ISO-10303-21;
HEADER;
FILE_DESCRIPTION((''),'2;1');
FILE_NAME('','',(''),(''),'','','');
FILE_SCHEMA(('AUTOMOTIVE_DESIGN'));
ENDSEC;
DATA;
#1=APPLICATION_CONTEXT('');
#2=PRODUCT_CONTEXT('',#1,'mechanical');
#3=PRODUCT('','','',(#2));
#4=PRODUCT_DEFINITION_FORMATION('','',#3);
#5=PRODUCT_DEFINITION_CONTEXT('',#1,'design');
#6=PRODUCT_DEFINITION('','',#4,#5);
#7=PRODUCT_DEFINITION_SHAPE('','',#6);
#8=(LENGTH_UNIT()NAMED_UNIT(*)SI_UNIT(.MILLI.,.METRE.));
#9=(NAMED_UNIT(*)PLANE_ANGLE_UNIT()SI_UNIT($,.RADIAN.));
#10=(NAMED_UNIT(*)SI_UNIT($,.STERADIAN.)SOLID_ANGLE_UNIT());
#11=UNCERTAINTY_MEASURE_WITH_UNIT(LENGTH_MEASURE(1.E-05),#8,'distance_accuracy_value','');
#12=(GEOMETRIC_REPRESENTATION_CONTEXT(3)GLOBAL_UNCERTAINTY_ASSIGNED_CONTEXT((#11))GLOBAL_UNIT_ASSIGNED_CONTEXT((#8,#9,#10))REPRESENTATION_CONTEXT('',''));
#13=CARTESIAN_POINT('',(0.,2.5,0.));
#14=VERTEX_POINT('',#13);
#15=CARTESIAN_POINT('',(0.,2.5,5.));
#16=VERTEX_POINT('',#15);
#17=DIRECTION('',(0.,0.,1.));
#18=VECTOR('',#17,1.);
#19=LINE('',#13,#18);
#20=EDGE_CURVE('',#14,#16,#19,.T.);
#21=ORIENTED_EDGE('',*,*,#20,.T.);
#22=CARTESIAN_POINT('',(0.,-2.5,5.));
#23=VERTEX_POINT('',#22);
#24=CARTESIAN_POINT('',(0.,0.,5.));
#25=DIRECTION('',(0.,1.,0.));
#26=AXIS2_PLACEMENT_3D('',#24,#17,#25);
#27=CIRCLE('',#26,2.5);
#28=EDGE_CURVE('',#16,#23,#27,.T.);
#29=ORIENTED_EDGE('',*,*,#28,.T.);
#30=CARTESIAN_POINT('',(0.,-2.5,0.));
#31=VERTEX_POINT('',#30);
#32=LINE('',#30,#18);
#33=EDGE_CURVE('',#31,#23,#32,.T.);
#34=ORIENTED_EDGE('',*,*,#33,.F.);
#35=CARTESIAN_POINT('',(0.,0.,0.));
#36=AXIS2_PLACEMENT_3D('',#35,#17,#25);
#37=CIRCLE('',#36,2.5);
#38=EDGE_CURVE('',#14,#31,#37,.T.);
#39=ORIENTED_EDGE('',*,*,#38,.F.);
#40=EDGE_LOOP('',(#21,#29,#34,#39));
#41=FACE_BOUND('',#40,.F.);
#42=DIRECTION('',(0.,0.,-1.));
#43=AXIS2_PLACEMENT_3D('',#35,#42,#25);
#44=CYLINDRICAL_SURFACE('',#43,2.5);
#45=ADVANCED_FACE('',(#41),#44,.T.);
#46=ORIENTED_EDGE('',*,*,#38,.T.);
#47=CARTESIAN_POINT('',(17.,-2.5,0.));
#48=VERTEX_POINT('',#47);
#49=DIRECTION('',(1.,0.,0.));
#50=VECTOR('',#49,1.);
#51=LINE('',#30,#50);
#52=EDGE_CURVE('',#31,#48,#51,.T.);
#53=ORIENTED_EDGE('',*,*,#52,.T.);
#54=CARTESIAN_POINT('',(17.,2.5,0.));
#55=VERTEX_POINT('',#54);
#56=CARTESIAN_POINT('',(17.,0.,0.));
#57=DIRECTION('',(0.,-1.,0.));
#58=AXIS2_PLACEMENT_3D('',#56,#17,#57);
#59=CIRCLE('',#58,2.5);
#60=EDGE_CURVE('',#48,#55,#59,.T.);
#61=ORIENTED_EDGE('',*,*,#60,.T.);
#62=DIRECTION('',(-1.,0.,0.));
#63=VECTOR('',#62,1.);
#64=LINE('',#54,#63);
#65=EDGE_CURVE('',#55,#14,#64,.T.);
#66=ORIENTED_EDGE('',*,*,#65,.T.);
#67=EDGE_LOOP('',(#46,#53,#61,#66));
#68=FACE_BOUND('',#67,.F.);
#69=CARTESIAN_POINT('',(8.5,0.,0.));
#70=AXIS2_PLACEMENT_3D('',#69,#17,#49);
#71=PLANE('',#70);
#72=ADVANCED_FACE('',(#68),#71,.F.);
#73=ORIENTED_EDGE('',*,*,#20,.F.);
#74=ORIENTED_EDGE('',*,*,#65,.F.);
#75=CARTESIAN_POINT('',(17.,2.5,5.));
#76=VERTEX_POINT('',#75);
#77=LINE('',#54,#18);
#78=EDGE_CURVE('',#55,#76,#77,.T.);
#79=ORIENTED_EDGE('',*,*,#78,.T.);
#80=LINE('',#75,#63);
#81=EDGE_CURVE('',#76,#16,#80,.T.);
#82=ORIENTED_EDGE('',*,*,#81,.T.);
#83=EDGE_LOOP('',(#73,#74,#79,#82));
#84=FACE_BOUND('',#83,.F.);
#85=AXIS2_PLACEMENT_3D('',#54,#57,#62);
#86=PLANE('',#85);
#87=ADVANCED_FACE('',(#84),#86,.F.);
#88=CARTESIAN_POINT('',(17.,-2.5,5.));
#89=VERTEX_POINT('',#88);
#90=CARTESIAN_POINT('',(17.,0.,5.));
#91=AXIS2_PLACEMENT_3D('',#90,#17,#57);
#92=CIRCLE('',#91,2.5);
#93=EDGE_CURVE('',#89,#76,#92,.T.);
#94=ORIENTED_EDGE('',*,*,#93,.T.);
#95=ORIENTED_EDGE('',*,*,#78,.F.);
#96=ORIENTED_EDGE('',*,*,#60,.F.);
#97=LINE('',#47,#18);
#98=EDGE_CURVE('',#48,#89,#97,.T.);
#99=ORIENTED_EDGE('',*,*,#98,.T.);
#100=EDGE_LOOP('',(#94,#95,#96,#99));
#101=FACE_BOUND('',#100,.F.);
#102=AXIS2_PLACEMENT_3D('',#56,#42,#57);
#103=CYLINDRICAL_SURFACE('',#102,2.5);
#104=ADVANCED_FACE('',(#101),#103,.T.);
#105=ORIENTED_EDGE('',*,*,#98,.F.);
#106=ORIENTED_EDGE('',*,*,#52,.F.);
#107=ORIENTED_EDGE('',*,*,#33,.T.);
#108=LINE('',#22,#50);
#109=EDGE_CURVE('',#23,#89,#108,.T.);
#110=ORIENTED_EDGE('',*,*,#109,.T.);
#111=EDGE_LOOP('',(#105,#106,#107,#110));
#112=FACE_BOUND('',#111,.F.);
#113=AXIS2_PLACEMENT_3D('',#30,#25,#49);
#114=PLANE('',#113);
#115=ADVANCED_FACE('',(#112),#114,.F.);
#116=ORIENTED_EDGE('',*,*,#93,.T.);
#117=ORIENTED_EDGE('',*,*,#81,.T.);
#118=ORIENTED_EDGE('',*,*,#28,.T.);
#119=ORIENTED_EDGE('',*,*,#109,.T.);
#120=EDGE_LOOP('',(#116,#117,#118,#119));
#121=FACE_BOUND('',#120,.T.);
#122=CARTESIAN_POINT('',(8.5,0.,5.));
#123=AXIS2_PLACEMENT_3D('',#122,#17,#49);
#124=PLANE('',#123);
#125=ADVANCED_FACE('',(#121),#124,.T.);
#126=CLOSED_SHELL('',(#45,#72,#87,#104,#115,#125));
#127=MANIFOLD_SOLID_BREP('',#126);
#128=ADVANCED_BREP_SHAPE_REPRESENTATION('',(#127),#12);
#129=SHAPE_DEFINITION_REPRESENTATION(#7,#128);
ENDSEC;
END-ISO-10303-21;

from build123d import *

# Parameters (mm, degrees)
PAD_DEPTH = 5


with BuildPart() as part:
    # Sketch → Pad (new body)
    with BuildSketch(Plane.XY):
        with BuildLine():
            ThreePointArc((0, 2.5), (-2.5, 0), (0, -2.5))
            Line((0, -2.5), (17, -2.5))
            ThreePointArc((17, -2.5), (19.5, 0), (17, 2.5))
            Line((17, 2.5), (0, 2.5))
        make_face()
    extrude(amount=PAD_DEPTH)


solid = part.part
